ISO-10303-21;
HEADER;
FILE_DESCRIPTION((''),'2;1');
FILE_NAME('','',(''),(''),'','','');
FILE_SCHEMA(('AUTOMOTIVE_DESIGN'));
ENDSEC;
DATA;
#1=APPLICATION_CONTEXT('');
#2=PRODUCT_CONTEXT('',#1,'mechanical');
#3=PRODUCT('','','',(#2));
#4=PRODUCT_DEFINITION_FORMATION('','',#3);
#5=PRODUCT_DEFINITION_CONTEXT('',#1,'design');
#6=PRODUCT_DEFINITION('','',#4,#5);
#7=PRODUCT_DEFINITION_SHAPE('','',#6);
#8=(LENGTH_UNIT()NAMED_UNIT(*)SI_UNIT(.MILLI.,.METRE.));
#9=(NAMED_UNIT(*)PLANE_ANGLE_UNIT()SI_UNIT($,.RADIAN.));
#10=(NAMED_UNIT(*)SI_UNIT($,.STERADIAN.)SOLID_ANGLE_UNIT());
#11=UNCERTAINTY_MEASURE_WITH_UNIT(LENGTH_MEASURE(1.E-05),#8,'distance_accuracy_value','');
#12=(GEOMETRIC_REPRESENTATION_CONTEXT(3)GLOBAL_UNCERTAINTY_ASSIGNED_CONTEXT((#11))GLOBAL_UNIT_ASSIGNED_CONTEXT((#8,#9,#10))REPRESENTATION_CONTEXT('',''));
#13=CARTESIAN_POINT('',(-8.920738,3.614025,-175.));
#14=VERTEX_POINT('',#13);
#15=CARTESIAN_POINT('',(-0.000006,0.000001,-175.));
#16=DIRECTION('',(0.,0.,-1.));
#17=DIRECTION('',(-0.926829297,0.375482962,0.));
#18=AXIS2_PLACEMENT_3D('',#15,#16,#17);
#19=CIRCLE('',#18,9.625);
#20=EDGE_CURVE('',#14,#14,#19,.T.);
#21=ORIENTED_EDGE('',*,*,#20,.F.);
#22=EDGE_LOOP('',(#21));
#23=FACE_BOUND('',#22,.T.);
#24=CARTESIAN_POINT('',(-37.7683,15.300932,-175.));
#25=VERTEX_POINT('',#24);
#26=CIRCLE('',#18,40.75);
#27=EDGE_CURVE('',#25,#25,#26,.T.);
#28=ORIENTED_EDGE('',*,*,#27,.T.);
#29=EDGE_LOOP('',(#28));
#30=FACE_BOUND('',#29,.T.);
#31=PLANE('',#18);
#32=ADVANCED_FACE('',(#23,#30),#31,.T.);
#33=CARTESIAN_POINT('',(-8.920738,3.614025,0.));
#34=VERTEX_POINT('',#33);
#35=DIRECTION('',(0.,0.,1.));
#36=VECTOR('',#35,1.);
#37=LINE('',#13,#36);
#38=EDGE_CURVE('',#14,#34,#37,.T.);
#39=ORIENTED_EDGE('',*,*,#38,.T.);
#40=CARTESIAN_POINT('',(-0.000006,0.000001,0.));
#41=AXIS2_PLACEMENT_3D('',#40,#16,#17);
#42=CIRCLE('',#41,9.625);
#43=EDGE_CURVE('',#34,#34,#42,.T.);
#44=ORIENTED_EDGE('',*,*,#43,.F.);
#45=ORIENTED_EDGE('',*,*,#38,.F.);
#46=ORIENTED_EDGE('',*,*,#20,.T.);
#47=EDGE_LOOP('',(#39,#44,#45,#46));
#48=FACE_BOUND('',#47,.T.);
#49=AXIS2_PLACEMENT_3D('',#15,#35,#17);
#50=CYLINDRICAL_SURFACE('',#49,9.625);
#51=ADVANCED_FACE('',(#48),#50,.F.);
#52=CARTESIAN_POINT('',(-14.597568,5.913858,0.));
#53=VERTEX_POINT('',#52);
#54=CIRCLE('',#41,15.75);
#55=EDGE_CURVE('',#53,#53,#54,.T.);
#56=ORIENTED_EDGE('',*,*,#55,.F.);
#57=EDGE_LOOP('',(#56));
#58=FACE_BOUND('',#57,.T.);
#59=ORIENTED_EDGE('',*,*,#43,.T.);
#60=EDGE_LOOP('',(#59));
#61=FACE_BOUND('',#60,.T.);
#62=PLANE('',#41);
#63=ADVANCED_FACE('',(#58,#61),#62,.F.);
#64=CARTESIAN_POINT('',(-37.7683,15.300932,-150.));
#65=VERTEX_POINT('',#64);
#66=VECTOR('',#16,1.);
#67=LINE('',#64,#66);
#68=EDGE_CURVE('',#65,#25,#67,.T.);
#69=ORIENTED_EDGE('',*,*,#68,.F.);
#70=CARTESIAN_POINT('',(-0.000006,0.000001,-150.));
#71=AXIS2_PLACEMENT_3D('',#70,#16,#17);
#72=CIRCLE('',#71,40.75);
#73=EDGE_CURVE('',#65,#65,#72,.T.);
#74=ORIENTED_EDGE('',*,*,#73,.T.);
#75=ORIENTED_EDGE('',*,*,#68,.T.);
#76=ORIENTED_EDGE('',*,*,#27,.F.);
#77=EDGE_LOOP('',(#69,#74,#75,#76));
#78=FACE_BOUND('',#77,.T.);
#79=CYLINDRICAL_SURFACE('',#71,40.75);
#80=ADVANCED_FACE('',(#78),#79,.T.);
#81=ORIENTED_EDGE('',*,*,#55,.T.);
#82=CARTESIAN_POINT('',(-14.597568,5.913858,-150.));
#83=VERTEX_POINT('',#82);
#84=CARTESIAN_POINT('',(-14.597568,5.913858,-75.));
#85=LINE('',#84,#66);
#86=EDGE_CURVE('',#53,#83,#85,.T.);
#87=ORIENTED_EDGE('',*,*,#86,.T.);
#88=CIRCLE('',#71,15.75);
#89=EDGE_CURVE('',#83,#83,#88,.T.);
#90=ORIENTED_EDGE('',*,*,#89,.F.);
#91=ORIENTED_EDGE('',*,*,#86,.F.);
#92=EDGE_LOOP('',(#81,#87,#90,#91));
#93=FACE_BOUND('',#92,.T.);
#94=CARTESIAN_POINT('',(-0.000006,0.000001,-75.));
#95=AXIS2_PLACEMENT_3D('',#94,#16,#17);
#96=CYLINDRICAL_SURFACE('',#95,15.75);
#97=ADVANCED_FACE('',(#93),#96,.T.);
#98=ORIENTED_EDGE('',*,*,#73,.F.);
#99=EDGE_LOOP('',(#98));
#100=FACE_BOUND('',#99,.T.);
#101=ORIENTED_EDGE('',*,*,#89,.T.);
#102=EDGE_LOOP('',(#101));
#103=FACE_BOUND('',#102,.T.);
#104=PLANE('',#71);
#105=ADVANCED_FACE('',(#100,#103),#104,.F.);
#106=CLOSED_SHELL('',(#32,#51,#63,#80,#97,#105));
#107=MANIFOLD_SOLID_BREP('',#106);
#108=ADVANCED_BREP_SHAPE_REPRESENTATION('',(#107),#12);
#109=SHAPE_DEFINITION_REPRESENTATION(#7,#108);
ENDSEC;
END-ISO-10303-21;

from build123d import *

# Parameters (mm, degrees)
F0_W     = 6.125
F0_H     = 150
F3_ANGLE = 180


with BuildPart() as f1:
    # F0 (on Front) → F1 (revolve)
    with BuildSketch(Plane.XZ):
        with Locations((12.6875, 75)):
            Rectangle(F0_W, F0_H)
        Polygon((9.625, 150), (15.75, 150), (40.75, 150), (40.75, 175), (9.625, 175), align=None)
    revolve(axis=Axis((0, 0, 75), (0, 0, 1)))


with BuildPart() as f1_1:
    # F3: moved
    add(f1.part.rotate(Axis((3.656138, 18.761864, 0), (0.191273, 0.981537, 0)), F3_ANGLE))


solid = f1_1.part
